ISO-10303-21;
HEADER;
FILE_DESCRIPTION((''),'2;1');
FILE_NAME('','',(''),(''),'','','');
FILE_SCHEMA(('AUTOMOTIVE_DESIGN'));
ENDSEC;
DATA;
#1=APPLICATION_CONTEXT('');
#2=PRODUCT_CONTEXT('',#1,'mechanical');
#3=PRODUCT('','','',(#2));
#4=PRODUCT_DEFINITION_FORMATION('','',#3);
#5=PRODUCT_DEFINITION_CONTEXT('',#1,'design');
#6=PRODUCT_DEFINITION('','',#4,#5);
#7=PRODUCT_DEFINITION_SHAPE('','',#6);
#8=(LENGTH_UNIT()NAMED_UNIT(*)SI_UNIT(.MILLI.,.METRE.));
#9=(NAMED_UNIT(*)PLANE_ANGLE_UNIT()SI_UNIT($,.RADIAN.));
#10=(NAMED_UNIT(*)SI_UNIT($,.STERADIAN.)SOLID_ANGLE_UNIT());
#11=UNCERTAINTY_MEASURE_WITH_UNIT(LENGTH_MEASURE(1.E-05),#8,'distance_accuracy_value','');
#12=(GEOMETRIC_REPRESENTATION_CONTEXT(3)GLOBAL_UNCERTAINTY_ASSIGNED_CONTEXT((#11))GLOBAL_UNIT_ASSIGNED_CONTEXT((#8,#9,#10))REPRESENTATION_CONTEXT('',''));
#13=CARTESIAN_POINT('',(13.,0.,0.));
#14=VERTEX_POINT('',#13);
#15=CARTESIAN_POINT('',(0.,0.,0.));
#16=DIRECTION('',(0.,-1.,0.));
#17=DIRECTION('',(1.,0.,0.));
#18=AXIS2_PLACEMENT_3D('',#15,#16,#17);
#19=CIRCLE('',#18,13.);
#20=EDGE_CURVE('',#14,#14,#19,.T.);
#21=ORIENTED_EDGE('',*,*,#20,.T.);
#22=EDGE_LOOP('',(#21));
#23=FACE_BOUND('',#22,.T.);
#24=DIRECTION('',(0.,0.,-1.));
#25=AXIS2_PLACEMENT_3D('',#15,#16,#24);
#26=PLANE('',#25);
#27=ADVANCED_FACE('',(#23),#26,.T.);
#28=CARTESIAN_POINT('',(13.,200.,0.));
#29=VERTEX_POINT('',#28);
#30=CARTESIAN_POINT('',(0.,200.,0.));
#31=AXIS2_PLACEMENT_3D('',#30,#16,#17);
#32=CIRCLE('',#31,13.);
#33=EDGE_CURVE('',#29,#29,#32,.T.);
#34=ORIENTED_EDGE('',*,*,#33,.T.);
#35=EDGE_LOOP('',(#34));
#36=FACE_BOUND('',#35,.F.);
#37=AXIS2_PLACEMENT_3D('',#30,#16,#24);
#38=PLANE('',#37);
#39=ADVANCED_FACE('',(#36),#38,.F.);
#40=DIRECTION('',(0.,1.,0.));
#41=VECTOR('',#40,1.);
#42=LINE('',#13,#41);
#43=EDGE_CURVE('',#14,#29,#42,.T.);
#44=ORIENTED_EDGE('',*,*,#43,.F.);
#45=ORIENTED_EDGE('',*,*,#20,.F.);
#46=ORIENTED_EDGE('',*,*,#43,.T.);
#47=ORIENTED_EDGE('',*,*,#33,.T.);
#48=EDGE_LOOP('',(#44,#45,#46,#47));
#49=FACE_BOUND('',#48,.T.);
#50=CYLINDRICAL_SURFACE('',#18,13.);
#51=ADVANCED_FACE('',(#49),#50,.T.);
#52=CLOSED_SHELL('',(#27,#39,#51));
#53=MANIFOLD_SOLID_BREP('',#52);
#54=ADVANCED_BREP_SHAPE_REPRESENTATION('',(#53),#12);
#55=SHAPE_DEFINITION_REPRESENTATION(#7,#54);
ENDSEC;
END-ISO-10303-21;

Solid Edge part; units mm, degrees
sketch "Sketch1" plane through (0, 0, 0) normal (0, -1, 0) x (1, 0, 0)
  circle A0 centre (0, 0) radius 13
extrude "Protrusion1" add sketch "Sketch1" against normal blind 200
